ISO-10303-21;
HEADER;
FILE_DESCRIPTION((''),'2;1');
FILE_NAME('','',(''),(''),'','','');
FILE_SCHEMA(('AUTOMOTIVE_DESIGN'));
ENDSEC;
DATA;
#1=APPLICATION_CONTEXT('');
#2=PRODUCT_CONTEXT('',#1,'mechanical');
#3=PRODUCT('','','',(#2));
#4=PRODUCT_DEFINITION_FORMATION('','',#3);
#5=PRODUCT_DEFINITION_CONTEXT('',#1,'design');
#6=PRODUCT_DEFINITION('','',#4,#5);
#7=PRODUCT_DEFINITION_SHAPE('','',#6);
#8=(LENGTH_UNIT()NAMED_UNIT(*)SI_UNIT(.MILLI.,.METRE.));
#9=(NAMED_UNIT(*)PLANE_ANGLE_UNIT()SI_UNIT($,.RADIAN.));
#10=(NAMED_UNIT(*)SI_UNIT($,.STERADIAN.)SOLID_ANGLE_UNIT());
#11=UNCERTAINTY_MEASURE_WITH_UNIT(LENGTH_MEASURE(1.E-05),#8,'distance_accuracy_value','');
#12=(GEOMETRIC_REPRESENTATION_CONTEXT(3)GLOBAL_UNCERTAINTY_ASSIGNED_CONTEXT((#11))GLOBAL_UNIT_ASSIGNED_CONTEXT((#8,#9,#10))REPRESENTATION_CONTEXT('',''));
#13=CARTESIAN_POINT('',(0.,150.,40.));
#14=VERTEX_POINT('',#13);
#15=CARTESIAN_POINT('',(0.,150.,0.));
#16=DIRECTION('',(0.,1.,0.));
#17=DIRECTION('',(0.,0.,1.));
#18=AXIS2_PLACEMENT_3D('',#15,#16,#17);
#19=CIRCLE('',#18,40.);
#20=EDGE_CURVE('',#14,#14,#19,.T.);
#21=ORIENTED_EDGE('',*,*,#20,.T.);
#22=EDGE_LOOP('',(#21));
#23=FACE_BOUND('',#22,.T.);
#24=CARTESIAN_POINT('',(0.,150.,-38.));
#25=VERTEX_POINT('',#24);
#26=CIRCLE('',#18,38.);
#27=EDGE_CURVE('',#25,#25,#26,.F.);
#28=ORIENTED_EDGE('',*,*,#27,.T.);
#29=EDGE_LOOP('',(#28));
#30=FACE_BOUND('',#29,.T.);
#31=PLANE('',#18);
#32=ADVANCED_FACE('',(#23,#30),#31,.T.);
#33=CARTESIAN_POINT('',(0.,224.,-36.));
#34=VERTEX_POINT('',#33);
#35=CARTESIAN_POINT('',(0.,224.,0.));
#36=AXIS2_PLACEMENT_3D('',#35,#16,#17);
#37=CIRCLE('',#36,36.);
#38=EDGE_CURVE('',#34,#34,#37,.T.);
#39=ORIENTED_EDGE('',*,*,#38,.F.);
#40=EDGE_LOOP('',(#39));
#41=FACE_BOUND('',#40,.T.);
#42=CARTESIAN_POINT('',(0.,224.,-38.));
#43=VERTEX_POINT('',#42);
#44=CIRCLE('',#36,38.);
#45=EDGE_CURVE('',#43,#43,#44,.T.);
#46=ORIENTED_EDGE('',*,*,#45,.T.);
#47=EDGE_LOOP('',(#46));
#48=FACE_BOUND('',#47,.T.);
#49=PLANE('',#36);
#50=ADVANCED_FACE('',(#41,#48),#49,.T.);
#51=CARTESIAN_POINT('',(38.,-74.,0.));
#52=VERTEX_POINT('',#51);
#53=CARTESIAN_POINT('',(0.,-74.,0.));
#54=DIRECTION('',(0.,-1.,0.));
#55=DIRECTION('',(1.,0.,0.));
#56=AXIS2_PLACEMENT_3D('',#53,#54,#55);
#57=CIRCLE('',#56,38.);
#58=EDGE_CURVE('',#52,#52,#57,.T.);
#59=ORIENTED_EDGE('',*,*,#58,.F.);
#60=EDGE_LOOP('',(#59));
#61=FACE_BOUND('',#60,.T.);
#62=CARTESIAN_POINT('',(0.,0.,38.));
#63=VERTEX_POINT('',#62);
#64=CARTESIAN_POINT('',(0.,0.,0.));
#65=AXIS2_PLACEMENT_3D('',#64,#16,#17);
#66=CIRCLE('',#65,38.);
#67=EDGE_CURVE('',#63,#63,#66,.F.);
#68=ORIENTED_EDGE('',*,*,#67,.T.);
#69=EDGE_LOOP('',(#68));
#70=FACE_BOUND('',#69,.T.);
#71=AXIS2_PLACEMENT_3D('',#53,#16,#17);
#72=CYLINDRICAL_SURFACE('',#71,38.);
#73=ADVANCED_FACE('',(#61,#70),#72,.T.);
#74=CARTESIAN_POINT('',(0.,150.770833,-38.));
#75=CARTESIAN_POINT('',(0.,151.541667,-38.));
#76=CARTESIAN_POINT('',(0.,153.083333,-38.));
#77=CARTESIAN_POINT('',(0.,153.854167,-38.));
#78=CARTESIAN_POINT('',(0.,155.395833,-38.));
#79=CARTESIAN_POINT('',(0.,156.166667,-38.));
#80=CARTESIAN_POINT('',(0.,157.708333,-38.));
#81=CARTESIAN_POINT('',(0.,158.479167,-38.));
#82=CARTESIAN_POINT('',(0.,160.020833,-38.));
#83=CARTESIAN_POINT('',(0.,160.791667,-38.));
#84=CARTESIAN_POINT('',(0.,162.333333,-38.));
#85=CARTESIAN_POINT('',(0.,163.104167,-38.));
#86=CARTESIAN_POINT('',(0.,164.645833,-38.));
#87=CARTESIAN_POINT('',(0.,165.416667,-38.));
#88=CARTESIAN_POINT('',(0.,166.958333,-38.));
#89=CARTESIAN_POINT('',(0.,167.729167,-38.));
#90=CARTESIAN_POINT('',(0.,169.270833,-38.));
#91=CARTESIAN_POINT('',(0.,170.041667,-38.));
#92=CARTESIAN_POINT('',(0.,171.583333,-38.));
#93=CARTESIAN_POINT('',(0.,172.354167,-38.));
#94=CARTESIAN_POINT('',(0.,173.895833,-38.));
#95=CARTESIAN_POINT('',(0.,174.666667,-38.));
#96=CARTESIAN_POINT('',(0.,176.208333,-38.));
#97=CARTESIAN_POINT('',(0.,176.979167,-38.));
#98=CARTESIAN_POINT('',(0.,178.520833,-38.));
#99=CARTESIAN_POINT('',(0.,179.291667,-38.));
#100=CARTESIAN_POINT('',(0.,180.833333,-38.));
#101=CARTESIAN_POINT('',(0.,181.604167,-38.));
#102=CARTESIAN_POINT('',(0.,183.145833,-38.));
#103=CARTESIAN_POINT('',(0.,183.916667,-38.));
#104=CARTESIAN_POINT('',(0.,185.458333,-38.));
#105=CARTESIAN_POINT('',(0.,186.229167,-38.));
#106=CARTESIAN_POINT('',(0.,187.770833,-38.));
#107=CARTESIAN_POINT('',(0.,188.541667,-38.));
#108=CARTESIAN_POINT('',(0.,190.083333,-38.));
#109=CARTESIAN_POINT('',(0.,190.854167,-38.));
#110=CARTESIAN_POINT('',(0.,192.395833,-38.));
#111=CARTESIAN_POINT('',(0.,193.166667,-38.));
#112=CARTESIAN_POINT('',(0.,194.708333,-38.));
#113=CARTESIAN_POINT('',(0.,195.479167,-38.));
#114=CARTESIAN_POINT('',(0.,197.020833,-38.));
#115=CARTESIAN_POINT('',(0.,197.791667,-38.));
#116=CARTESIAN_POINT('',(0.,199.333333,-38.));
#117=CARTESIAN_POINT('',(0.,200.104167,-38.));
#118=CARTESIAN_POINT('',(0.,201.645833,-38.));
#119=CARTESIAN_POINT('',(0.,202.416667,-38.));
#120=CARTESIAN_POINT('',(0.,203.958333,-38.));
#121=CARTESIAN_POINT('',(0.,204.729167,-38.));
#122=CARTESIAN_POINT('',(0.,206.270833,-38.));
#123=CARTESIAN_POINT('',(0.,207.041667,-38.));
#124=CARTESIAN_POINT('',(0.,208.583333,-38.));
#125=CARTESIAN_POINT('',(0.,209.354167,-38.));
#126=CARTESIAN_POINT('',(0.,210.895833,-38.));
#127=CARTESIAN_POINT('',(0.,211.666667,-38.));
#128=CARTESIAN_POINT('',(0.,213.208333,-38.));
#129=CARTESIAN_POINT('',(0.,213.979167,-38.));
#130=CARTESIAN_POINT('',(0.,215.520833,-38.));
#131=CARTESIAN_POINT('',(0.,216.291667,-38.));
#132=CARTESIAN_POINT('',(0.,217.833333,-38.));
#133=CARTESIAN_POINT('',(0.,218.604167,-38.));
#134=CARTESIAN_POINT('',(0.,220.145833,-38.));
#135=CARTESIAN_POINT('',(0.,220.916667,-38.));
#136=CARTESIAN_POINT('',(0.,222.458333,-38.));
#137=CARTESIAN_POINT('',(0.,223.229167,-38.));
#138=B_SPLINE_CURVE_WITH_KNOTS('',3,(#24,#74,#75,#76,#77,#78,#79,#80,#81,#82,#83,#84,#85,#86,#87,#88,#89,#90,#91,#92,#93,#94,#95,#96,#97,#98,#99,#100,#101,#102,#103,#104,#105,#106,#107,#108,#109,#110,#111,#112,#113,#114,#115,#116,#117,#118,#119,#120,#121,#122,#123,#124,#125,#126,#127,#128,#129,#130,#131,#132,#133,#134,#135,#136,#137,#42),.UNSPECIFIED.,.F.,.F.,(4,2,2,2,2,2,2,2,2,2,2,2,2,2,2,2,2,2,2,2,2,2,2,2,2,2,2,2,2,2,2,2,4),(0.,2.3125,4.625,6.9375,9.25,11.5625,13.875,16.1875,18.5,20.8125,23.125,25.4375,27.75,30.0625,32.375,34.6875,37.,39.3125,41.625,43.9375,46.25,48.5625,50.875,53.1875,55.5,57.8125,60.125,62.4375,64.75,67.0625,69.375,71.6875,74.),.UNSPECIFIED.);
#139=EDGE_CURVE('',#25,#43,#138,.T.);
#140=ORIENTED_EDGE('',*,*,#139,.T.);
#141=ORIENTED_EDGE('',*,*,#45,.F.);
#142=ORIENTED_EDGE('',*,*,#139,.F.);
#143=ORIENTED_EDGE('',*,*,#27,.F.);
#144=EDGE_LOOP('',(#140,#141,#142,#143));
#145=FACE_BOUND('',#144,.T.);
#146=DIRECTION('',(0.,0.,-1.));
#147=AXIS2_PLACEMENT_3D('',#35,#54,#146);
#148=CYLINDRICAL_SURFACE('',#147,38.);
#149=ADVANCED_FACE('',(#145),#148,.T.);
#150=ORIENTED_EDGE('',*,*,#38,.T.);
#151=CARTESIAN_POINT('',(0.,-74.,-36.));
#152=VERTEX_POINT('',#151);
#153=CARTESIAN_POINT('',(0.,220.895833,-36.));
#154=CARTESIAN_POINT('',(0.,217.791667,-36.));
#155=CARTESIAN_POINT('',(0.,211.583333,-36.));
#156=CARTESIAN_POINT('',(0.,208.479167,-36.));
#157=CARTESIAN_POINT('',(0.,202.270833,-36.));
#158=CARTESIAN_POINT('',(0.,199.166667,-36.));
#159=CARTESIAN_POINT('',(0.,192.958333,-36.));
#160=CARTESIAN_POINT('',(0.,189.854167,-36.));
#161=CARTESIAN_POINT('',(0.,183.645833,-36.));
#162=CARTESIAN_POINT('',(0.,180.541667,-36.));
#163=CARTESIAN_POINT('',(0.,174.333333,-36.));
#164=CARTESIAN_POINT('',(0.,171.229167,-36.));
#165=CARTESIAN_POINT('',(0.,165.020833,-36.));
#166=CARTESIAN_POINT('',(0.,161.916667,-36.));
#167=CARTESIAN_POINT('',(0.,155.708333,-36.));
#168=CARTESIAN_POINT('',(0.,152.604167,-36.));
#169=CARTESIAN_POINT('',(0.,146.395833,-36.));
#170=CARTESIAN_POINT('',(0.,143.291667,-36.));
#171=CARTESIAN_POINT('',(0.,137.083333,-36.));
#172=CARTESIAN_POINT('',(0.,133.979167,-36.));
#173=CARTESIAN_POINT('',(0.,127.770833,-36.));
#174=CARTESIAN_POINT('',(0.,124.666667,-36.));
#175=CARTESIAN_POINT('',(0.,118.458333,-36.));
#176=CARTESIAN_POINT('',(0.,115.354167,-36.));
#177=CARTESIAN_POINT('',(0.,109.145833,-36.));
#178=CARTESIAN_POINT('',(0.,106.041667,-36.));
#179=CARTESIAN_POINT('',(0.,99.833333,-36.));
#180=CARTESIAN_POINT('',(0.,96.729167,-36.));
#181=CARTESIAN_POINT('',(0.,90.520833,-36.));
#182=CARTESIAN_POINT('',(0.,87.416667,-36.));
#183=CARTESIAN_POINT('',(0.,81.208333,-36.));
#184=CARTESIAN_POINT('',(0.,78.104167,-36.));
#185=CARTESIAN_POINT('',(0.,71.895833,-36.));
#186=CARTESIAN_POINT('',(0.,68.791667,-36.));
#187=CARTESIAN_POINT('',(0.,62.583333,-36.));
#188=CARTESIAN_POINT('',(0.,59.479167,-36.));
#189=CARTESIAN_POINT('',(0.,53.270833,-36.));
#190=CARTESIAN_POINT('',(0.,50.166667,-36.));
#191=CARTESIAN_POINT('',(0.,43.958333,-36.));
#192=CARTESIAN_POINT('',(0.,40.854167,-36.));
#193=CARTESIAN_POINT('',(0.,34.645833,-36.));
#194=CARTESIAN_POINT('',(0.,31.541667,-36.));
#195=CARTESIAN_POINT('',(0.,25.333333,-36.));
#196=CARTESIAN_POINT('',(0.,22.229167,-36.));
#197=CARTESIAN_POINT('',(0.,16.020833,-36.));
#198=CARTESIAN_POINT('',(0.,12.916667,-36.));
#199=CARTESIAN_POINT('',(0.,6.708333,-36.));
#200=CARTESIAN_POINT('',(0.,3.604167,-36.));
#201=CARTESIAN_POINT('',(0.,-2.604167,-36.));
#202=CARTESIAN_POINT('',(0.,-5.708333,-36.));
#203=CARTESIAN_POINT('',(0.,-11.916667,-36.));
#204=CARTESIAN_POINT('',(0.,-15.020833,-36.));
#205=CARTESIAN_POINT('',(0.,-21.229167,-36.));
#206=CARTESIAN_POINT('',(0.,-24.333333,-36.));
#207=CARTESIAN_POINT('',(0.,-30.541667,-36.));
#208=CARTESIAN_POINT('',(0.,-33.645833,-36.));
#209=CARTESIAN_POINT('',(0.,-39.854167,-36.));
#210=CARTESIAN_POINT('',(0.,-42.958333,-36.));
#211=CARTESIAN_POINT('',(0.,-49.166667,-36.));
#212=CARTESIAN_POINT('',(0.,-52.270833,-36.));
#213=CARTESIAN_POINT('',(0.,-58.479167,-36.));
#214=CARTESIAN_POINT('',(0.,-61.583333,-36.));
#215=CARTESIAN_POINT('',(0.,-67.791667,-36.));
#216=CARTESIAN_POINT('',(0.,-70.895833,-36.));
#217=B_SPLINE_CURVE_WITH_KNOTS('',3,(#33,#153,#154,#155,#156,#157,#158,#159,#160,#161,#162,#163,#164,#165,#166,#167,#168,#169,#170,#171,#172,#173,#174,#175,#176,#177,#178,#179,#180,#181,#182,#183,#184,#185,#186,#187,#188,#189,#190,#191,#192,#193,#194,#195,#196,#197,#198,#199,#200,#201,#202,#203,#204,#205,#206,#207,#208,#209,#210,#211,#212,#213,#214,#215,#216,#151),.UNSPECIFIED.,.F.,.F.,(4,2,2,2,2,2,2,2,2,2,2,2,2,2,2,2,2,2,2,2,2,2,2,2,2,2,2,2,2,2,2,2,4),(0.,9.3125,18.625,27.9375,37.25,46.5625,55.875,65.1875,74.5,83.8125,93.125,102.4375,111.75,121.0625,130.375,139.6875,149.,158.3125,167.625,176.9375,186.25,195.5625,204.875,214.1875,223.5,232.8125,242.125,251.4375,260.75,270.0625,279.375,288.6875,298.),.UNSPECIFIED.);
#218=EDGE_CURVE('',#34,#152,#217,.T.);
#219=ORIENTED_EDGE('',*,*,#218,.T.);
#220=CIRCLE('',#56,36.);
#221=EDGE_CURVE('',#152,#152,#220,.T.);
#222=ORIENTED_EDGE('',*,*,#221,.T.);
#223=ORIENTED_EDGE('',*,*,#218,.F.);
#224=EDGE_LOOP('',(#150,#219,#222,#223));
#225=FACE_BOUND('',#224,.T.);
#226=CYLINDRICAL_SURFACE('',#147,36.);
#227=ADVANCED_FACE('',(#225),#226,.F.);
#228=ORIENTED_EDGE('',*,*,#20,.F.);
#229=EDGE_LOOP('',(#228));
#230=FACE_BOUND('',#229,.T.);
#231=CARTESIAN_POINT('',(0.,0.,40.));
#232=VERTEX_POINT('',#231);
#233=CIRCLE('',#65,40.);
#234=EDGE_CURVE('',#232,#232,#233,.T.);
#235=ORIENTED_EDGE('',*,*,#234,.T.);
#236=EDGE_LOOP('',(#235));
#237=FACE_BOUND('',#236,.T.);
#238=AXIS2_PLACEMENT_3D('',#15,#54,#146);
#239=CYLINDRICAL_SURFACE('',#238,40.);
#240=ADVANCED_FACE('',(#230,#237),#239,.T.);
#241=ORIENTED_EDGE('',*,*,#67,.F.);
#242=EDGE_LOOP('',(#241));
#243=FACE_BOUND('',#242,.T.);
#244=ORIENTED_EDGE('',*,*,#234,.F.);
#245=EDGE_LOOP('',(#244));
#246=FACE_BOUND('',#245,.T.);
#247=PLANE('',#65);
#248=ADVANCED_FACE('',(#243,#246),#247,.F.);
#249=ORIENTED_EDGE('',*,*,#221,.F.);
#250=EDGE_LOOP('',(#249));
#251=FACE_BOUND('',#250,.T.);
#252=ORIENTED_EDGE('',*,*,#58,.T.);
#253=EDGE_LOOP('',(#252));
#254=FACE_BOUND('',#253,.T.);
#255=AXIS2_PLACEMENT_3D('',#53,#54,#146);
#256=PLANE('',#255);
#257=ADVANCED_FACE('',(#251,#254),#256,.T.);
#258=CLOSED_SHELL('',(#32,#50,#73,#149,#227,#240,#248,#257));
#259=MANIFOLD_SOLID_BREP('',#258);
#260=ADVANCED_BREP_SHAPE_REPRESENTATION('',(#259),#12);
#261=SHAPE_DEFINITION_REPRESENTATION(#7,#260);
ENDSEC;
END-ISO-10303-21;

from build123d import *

# Parameters (mm, degrees)
SKETCH1_R           = 40
SKETCH1_R_2         = 37
EXTRUDE_THIN1_DEPTH = 150
SKETCH2_R           = 38
SKETCH2_R_2         = 36
EXTRUDE_THIN2_DEPTH = 74
SKETCH7_R           = 38
SKETCH7_R_2         = 37
EXTRUDE_THIN7_DEPTH = 74
SKETCH4_R           = 38
SKETCH4_R_2         = 36
BOSS_EXTRUDE2_DEPTH = 224


with BuildPart() as part:
    # Sketch1 → Extrude-Thin1 (new body)
    with BuildSketch(Plane(origin=(0, 0, 0), x_dir=(1, 0, 0), z_dir=(0, 1, 0))):
        Circle(SKETCH1_R)
        Circle(SKETCH1_R_2, mode=Mode.SUBTRACT)
    extrude(amount=EXTRUDE_THIN1_DEPTH)



with BuildPart() as body_2:
    # Sketch2 → Extrude-Thin2 (new body)
    with BuildSketch(Plane.XZ):
        Circle(SKETCH2_R)
        Circle(SKETCH2_R_2, mode=Mode.SUBTRACT)
    extrude(amount=EXTRUDE_THIN2_DEPTH)


with BuildPart() as body_3:
    # Sketch7 → Extrude-Thin7 (new body)
    with BuildSketch(Plane(origin=(0, 150, 0), x_dir=(1, 0, 0), z_dir=(0, 1, 0))):
        Circle(SKETCH7_R)
        Circle(SKETCH7_R_2, mode=Mode.SUBTRACT)
    extrude(amount=EXTRUDE_THIN7_DEPTH)


with BuildPart() as part_1:
    add(part.part)

    add(body_2.part)  # Boss-Extrude2 merges body 2

    add(body_3.part)  # Boss-Extrude2 merges body 3
    # Sketch4 → Boss-Extrude2 (add, through all)
    with BuildSketch(Plane(origin=(0, 0, 0), x_dir=(1, 0, 0), z_dir=(0, 1, 0))):
        with Locations(Location((0, 0, 0), (0, 0, 90))):
            Circle(SKETCH4_R)
        with Locations(Location((0, 0, 0), (0, 0, 90))):
            Circle(SKETCH4_R_2, mode=Mode.SUBTRACT)
    extrude(amount=BOSS_EXTRUDE2_DEPTH)


solid = part_1.part
